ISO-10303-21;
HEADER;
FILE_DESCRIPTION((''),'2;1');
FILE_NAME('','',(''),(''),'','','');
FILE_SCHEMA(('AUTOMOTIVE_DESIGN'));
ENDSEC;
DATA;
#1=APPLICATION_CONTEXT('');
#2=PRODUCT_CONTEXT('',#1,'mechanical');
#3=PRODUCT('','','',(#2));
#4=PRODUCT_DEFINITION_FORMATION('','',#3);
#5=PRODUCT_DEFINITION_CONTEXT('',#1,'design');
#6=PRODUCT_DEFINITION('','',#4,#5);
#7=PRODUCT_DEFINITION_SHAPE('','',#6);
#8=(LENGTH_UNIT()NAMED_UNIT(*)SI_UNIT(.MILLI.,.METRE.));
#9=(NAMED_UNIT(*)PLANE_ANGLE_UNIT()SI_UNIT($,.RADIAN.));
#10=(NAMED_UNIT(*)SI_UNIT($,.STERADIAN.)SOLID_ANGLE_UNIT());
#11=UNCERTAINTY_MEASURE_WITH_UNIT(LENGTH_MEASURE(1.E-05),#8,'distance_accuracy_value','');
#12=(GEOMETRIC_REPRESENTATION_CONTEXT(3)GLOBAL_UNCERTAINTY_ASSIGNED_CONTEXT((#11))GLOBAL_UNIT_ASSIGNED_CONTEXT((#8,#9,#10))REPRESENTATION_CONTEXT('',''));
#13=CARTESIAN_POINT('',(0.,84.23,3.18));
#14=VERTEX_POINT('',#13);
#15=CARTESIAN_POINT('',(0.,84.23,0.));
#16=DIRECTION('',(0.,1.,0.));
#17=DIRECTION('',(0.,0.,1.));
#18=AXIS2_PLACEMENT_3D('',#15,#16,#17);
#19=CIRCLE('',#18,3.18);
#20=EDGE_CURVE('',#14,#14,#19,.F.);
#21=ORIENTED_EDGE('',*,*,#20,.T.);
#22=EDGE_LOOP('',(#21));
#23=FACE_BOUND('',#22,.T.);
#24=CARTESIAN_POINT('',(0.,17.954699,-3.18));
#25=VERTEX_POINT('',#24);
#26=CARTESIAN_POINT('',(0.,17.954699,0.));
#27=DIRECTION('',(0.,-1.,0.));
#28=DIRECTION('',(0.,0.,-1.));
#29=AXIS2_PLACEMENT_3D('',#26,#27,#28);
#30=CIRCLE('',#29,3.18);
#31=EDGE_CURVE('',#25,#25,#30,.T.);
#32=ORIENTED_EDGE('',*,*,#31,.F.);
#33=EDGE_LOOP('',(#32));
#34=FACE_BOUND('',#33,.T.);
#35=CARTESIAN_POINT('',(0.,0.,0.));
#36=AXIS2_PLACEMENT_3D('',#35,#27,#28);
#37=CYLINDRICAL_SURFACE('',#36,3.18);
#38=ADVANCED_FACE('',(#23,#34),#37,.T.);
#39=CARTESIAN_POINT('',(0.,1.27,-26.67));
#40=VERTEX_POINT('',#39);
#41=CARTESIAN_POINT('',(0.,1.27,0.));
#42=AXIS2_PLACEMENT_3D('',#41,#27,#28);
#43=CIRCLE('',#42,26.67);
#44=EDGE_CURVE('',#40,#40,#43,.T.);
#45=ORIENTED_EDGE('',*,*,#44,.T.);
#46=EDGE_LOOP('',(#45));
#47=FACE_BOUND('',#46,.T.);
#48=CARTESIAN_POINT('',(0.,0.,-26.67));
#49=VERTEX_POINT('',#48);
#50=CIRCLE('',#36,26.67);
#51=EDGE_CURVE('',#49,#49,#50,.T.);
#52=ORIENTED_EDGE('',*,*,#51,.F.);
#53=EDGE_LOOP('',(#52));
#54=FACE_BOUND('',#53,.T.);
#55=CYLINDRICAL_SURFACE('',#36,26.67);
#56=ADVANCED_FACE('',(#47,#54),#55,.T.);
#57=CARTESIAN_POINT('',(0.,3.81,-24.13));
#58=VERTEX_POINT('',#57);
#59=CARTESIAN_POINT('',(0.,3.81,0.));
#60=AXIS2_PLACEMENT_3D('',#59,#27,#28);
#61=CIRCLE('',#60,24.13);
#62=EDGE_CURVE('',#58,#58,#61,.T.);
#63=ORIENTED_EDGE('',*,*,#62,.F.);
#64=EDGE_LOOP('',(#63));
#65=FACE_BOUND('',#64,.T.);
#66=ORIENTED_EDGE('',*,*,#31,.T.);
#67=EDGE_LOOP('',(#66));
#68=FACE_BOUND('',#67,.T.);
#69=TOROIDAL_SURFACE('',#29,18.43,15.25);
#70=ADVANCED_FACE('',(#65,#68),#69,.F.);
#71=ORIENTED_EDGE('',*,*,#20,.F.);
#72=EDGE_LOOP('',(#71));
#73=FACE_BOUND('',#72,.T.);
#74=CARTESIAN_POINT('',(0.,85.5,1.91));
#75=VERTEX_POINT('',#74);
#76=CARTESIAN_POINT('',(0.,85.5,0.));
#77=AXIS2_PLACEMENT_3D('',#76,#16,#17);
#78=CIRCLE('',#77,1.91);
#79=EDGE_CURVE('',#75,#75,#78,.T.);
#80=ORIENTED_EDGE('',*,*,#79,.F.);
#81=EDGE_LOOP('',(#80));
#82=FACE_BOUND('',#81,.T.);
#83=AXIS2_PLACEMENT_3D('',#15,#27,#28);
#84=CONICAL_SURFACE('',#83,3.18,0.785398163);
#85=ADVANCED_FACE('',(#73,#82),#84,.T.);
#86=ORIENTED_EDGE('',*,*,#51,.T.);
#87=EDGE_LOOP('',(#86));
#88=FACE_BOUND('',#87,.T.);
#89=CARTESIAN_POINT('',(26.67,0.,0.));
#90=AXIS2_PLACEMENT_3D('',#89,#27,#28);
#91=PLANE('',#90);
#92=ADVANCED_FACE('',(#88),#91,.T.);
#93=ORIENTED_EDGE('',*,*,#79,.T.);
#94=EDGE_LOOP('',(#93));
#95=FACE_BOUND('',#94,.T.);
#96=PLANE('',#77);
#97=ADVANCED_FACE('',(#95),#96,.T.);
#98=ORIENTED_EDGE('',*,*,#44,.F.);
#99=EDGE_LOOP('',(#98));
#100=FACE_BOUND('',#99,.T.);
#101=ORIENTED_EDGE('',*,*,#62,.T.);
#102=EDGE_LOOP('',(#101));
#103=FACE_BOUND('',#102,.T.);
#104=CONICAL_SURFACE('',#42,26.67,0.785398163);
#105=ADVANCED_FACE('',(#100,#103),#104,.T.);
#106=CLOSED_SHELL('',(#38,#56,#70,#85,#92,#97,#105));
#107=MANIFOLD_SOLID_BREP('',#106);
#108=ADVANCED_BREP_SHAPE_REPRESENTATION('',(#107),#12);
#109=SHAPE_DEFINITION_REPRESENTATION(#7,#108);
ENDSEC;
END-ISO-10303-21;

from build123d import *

# Parameters (mm, degrees)
CHAMFER1_SIZE = 1.27


with BuildPart() as part:
    # Sketch1 → Revolve2 (revolve)
    with BuildSketch(Plane.XY, mode=Mode.PRIVATE) as revolve2_sk:
        with BuildLine():
            Line((0, 0), (0, 85.5))
            Line((0, 85.5), (3.18, 85.5))
            Line((3.18, 85.5), (3.18, 17.954698654))
            ThreePointArc((3.18, 17.954698654), (9.896609701, 5.315721242), (24.13, 3.81))
            Line((24.13, 3.81), (26.67, 1.27))
            Line((26.67, 1.27), (26.67, 0))
            Line((26.67, 0), (0, 0))
        make_face()
    revolve(revolve2_sk.sketch.rotate(Axis((0, 0, 0), (0, 1, 0)), 90), axis=Axis((0, 0, 0), (0, 1, 0)))

    # Chamfer1
    chamfer1_edges = [part.edges().sort_by_distance(p)[0] for p in [
        (0, 85.5, 3.18),
    ]]
    chamfer(chamfer1_edges, length=CHAMFER1_SIZE)


solid = part.part
